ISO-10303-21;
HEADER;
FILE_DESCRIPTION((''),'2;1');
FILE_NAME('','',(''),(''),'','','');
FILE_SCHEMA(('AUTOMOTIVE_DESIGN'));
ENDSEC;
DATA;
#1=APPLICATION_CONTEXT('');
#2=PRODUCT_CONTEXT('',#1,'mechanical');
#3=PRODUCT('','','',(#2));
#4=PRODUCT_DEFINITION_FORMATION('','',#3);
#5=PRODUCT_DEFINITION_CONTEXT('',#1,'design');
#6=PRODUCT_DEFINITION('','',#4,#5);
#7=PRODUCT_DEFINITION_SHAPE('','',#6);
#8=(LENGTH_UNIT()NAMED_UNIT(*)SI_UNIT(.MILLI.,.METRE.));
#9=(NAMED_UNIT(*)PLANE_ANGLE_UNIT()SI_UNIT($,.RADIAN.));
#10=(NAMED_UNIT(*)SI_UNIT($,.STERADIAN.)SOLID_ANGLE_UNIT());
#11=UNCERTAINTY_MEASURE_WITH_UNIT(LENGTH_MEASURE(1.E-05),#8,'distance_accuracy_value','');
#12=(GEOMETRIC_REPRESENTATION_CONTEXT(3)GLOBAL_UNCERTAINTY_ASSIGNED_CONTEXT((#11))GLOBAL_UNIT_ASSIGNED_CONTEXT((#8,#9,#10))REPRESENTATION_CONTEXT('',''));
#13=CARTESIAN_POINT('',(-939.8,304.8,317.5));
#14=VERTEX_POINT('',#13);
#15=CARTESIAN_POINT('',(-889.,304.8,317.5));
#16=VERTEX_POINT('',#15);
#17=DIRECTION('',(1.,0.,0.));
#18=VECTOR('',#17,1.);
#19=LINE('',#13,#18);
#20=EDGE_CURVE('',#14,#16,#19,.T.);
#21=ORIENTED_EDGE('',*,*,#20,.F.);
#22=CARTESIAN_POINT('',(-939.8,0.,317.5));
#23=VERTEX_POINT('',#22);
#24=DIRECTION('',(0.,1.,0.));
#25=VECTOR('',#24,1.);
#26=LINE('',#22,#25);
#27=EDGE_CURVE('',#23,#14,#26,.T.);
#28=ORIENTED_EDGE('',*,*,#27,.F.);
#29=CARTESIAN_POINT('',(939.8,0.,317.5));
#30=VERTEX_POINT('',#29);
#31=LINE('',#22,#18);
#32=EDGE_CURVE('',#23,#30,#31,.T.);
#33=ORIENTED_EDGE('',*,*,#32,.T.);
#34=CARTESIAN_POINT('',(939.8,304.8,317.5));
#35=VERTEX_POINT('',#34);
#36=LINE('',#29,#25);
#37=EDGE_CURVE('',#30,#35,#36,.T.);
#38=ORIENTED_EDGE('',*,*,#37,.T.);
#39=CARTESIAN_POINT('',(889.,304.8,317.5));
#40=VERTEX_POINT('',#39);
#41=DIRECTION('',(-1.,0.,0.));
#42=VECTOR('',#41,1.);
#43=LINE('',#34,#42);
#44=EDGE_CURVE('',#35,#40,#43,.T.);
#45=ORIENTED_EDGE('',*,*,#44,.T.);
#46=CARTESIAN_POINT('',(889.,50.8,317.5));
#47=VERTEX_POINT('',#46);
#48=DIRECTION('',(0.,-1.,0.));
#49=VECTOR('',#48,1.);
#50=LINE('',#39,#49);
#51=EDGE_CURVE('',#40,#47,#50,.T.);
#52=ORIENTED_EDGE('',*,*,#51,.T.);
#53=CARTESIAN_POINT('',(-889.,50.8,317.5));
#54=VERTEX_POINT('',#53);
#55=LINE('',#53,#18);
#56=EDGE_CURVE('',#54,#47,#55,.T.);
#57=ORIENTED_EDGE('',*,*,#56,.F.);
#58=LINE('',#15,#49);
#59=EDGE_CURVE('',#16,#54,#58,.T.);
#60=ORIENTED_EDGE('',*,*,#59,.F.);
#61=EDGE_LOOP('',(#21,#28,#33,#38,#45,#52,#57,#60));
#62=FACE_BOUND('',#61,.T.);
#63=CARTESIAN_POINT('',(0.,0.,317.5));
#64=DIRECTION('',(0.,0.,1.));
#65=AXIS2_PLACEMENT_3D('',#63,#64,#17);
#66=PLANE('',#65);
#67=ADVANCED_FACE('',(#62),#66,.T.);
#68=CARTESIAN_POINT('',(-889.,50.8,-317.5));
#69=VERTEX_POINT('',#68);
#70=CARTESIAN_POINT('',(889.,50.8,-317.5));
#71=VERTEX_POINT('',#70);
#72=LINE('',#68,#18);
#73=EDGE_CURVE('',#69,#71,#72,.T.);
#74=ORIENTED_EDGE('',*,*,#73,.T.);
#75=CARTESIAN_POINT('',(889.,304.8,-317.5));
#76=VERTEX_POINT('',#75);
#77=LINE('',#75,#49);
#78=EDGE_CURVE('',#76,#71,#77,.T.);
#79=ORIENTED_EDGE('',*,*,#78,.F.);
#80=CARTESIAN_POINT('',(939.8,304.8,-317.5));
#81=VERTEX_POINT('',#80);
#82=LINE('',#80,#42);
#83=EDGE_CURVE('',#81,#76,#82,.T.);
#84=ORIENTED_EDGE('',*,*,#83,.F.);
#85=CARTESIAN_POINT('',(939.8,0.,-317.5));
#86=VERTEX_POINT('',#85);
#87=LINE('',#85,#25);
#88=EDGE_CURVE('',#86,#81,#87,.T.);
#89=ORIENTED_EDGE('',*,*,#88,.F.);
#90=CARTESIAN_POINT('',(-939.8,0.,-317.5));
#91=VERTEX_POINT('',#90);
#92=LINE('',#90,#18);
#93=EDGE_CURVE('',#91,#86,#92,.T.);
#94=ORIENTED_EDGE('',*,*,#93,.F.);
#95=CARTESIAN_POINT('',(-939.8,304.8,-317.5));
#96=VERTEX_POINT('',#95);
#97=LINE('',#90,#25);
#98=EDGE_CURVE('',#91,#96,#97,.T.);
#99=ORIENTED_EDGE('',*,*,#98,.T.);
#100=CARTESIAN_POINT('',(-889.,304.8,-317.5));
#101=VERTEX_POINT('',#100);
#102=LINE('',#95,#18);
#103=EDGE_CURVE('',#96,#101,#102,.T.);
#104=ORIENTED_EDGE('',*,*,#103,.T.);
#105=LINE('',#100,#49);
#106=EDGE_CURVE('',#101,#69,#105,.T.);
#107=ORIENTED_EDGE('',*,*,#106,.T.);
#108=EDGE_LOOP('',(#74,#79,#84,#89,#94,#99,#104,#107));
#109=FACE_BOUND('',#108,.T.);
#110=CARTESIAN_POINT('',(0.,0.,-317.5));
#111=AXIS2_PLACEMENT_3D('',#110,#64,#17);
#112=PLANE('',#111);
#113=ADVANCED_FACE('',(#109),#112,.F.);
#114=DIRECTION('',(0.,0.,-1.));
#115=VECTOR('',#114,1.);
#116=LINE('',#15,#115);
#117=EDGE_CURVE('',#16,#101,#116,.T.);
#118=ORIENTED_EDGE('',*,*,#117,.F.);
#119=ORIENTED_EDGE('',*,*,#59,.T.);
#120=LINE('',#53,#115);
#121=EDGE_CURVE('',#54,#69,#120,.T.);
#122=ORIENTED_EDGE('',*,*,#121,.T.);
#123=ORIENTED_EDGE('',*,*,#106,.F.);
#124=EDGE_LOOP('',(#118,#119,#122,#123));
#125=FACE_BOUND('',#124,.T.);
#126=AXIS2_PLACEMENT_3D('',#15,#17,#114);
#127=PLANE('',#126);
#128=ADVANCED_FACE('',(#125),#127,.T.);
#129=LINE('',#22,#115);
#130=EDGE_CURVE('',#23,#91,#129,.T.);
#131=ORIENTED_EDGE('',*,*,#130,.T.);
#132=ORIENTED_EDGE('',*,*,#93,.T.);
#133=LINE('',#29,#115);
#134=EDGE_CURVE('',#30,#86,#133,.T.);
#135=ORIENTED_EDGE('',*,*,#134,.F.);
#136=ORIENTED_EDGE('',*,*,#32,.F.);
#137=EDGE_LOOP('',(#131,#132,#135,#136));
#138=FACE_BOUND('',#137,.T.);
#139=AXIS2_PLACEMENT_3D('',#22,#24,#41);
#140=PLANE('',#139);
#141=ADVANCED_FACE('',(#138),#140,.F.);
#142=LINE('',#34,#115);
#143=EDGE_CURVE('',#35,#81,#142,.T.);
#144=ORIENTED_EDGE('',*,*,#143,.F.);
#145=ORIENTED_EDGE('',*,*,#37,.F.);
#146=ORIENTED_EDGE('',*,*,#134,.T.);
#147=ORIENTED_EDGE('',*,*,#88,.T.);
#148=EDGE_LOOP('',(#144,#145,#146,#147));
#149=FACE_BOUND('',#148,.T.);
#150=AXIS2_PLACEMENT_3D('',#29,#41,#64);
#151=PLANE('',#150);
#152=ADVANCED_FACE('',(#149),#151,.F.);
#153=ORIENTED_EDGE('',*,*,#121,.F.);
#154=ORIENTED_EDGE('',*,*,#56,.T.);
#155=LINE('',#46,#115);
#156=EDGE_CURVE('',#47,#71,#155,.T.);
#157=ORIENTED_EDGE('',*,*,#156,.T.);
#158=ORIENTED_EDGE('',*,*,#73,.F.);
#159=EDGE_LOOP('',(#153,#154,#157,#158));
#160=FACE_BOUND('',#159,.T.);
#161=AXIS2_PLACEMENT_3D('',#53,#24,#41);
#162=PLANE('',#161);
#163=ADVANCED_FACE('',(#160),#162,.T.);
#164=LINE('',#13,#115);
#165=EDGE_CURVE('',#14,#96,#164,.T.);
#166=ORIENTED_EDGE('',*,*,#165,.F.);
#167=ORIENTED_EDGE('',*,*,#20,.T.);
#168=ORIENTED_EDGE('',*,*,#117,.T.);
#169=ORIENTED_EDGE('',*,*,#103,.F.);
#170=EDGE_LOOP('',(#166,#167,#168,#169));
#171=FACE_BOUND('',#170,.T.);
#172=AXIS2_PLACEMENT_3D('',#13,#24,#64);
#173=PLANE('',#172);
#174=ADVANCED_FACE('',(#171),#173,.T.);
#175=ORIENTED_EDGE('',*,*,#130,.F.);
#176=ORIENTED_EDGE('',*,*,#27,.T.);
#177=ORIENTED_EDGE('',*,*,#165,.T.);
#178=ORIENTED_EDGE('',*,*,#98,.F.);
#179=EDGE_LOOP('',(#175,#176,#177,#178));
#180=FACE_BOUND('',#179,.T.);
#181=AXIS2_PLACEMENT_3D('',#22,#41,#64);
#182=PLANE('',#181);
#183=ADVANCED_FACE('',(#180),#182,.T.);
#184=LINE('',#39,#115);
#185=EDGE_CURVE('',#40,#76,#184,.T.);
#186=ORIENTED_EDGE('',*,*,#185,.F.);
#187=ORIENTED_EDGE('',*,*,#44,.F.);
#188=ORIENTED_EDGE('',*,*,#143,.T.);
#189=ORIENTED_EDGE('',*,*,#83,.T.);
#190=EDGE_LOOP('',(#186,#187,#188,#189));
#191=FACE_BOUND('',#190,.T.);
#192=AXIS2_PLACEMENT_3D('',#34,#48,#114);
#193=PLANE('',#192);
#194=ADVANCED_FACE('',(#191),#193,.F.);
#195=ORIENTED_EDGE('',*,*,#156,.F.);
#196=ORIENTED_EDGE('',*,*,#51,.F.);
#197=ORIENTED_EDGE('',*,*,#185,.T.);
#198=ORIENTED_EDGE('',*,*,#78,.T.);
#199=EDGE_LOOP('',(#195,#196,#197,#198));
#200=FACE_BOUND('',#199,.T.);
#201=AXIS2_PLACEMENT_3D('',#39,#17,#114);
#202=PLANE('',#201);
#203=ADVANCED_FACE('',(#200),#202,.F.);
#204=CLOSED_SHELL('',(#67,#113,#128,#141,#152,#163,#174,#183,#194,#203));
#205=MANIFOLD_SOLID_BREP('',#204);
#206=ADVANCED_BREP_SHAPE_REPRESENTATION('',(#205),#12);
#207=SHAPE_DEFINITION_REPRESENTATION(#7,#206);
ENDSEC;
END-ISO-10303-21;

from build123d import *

# Parameters (mm, degrees)
BOSS_EXTRUDE1_DEPTH = 317.5


with BuildPart() as part:
    # Sketch1 → Boss-Extrude1 (new, symmetric)
    with BuildSketch(Plane.XY):
        Polygon((-939.8, 0), (939.8, 0), (939.8, 304.8), (889, 304.8), (889, 50.8), (-889, 50.8), (-889, 304.8), (-939.8, 304.8), align=None)
    extrude(amount=BOSS_EXTRUDE1_DEPTH, both=True)


solid = part.part
